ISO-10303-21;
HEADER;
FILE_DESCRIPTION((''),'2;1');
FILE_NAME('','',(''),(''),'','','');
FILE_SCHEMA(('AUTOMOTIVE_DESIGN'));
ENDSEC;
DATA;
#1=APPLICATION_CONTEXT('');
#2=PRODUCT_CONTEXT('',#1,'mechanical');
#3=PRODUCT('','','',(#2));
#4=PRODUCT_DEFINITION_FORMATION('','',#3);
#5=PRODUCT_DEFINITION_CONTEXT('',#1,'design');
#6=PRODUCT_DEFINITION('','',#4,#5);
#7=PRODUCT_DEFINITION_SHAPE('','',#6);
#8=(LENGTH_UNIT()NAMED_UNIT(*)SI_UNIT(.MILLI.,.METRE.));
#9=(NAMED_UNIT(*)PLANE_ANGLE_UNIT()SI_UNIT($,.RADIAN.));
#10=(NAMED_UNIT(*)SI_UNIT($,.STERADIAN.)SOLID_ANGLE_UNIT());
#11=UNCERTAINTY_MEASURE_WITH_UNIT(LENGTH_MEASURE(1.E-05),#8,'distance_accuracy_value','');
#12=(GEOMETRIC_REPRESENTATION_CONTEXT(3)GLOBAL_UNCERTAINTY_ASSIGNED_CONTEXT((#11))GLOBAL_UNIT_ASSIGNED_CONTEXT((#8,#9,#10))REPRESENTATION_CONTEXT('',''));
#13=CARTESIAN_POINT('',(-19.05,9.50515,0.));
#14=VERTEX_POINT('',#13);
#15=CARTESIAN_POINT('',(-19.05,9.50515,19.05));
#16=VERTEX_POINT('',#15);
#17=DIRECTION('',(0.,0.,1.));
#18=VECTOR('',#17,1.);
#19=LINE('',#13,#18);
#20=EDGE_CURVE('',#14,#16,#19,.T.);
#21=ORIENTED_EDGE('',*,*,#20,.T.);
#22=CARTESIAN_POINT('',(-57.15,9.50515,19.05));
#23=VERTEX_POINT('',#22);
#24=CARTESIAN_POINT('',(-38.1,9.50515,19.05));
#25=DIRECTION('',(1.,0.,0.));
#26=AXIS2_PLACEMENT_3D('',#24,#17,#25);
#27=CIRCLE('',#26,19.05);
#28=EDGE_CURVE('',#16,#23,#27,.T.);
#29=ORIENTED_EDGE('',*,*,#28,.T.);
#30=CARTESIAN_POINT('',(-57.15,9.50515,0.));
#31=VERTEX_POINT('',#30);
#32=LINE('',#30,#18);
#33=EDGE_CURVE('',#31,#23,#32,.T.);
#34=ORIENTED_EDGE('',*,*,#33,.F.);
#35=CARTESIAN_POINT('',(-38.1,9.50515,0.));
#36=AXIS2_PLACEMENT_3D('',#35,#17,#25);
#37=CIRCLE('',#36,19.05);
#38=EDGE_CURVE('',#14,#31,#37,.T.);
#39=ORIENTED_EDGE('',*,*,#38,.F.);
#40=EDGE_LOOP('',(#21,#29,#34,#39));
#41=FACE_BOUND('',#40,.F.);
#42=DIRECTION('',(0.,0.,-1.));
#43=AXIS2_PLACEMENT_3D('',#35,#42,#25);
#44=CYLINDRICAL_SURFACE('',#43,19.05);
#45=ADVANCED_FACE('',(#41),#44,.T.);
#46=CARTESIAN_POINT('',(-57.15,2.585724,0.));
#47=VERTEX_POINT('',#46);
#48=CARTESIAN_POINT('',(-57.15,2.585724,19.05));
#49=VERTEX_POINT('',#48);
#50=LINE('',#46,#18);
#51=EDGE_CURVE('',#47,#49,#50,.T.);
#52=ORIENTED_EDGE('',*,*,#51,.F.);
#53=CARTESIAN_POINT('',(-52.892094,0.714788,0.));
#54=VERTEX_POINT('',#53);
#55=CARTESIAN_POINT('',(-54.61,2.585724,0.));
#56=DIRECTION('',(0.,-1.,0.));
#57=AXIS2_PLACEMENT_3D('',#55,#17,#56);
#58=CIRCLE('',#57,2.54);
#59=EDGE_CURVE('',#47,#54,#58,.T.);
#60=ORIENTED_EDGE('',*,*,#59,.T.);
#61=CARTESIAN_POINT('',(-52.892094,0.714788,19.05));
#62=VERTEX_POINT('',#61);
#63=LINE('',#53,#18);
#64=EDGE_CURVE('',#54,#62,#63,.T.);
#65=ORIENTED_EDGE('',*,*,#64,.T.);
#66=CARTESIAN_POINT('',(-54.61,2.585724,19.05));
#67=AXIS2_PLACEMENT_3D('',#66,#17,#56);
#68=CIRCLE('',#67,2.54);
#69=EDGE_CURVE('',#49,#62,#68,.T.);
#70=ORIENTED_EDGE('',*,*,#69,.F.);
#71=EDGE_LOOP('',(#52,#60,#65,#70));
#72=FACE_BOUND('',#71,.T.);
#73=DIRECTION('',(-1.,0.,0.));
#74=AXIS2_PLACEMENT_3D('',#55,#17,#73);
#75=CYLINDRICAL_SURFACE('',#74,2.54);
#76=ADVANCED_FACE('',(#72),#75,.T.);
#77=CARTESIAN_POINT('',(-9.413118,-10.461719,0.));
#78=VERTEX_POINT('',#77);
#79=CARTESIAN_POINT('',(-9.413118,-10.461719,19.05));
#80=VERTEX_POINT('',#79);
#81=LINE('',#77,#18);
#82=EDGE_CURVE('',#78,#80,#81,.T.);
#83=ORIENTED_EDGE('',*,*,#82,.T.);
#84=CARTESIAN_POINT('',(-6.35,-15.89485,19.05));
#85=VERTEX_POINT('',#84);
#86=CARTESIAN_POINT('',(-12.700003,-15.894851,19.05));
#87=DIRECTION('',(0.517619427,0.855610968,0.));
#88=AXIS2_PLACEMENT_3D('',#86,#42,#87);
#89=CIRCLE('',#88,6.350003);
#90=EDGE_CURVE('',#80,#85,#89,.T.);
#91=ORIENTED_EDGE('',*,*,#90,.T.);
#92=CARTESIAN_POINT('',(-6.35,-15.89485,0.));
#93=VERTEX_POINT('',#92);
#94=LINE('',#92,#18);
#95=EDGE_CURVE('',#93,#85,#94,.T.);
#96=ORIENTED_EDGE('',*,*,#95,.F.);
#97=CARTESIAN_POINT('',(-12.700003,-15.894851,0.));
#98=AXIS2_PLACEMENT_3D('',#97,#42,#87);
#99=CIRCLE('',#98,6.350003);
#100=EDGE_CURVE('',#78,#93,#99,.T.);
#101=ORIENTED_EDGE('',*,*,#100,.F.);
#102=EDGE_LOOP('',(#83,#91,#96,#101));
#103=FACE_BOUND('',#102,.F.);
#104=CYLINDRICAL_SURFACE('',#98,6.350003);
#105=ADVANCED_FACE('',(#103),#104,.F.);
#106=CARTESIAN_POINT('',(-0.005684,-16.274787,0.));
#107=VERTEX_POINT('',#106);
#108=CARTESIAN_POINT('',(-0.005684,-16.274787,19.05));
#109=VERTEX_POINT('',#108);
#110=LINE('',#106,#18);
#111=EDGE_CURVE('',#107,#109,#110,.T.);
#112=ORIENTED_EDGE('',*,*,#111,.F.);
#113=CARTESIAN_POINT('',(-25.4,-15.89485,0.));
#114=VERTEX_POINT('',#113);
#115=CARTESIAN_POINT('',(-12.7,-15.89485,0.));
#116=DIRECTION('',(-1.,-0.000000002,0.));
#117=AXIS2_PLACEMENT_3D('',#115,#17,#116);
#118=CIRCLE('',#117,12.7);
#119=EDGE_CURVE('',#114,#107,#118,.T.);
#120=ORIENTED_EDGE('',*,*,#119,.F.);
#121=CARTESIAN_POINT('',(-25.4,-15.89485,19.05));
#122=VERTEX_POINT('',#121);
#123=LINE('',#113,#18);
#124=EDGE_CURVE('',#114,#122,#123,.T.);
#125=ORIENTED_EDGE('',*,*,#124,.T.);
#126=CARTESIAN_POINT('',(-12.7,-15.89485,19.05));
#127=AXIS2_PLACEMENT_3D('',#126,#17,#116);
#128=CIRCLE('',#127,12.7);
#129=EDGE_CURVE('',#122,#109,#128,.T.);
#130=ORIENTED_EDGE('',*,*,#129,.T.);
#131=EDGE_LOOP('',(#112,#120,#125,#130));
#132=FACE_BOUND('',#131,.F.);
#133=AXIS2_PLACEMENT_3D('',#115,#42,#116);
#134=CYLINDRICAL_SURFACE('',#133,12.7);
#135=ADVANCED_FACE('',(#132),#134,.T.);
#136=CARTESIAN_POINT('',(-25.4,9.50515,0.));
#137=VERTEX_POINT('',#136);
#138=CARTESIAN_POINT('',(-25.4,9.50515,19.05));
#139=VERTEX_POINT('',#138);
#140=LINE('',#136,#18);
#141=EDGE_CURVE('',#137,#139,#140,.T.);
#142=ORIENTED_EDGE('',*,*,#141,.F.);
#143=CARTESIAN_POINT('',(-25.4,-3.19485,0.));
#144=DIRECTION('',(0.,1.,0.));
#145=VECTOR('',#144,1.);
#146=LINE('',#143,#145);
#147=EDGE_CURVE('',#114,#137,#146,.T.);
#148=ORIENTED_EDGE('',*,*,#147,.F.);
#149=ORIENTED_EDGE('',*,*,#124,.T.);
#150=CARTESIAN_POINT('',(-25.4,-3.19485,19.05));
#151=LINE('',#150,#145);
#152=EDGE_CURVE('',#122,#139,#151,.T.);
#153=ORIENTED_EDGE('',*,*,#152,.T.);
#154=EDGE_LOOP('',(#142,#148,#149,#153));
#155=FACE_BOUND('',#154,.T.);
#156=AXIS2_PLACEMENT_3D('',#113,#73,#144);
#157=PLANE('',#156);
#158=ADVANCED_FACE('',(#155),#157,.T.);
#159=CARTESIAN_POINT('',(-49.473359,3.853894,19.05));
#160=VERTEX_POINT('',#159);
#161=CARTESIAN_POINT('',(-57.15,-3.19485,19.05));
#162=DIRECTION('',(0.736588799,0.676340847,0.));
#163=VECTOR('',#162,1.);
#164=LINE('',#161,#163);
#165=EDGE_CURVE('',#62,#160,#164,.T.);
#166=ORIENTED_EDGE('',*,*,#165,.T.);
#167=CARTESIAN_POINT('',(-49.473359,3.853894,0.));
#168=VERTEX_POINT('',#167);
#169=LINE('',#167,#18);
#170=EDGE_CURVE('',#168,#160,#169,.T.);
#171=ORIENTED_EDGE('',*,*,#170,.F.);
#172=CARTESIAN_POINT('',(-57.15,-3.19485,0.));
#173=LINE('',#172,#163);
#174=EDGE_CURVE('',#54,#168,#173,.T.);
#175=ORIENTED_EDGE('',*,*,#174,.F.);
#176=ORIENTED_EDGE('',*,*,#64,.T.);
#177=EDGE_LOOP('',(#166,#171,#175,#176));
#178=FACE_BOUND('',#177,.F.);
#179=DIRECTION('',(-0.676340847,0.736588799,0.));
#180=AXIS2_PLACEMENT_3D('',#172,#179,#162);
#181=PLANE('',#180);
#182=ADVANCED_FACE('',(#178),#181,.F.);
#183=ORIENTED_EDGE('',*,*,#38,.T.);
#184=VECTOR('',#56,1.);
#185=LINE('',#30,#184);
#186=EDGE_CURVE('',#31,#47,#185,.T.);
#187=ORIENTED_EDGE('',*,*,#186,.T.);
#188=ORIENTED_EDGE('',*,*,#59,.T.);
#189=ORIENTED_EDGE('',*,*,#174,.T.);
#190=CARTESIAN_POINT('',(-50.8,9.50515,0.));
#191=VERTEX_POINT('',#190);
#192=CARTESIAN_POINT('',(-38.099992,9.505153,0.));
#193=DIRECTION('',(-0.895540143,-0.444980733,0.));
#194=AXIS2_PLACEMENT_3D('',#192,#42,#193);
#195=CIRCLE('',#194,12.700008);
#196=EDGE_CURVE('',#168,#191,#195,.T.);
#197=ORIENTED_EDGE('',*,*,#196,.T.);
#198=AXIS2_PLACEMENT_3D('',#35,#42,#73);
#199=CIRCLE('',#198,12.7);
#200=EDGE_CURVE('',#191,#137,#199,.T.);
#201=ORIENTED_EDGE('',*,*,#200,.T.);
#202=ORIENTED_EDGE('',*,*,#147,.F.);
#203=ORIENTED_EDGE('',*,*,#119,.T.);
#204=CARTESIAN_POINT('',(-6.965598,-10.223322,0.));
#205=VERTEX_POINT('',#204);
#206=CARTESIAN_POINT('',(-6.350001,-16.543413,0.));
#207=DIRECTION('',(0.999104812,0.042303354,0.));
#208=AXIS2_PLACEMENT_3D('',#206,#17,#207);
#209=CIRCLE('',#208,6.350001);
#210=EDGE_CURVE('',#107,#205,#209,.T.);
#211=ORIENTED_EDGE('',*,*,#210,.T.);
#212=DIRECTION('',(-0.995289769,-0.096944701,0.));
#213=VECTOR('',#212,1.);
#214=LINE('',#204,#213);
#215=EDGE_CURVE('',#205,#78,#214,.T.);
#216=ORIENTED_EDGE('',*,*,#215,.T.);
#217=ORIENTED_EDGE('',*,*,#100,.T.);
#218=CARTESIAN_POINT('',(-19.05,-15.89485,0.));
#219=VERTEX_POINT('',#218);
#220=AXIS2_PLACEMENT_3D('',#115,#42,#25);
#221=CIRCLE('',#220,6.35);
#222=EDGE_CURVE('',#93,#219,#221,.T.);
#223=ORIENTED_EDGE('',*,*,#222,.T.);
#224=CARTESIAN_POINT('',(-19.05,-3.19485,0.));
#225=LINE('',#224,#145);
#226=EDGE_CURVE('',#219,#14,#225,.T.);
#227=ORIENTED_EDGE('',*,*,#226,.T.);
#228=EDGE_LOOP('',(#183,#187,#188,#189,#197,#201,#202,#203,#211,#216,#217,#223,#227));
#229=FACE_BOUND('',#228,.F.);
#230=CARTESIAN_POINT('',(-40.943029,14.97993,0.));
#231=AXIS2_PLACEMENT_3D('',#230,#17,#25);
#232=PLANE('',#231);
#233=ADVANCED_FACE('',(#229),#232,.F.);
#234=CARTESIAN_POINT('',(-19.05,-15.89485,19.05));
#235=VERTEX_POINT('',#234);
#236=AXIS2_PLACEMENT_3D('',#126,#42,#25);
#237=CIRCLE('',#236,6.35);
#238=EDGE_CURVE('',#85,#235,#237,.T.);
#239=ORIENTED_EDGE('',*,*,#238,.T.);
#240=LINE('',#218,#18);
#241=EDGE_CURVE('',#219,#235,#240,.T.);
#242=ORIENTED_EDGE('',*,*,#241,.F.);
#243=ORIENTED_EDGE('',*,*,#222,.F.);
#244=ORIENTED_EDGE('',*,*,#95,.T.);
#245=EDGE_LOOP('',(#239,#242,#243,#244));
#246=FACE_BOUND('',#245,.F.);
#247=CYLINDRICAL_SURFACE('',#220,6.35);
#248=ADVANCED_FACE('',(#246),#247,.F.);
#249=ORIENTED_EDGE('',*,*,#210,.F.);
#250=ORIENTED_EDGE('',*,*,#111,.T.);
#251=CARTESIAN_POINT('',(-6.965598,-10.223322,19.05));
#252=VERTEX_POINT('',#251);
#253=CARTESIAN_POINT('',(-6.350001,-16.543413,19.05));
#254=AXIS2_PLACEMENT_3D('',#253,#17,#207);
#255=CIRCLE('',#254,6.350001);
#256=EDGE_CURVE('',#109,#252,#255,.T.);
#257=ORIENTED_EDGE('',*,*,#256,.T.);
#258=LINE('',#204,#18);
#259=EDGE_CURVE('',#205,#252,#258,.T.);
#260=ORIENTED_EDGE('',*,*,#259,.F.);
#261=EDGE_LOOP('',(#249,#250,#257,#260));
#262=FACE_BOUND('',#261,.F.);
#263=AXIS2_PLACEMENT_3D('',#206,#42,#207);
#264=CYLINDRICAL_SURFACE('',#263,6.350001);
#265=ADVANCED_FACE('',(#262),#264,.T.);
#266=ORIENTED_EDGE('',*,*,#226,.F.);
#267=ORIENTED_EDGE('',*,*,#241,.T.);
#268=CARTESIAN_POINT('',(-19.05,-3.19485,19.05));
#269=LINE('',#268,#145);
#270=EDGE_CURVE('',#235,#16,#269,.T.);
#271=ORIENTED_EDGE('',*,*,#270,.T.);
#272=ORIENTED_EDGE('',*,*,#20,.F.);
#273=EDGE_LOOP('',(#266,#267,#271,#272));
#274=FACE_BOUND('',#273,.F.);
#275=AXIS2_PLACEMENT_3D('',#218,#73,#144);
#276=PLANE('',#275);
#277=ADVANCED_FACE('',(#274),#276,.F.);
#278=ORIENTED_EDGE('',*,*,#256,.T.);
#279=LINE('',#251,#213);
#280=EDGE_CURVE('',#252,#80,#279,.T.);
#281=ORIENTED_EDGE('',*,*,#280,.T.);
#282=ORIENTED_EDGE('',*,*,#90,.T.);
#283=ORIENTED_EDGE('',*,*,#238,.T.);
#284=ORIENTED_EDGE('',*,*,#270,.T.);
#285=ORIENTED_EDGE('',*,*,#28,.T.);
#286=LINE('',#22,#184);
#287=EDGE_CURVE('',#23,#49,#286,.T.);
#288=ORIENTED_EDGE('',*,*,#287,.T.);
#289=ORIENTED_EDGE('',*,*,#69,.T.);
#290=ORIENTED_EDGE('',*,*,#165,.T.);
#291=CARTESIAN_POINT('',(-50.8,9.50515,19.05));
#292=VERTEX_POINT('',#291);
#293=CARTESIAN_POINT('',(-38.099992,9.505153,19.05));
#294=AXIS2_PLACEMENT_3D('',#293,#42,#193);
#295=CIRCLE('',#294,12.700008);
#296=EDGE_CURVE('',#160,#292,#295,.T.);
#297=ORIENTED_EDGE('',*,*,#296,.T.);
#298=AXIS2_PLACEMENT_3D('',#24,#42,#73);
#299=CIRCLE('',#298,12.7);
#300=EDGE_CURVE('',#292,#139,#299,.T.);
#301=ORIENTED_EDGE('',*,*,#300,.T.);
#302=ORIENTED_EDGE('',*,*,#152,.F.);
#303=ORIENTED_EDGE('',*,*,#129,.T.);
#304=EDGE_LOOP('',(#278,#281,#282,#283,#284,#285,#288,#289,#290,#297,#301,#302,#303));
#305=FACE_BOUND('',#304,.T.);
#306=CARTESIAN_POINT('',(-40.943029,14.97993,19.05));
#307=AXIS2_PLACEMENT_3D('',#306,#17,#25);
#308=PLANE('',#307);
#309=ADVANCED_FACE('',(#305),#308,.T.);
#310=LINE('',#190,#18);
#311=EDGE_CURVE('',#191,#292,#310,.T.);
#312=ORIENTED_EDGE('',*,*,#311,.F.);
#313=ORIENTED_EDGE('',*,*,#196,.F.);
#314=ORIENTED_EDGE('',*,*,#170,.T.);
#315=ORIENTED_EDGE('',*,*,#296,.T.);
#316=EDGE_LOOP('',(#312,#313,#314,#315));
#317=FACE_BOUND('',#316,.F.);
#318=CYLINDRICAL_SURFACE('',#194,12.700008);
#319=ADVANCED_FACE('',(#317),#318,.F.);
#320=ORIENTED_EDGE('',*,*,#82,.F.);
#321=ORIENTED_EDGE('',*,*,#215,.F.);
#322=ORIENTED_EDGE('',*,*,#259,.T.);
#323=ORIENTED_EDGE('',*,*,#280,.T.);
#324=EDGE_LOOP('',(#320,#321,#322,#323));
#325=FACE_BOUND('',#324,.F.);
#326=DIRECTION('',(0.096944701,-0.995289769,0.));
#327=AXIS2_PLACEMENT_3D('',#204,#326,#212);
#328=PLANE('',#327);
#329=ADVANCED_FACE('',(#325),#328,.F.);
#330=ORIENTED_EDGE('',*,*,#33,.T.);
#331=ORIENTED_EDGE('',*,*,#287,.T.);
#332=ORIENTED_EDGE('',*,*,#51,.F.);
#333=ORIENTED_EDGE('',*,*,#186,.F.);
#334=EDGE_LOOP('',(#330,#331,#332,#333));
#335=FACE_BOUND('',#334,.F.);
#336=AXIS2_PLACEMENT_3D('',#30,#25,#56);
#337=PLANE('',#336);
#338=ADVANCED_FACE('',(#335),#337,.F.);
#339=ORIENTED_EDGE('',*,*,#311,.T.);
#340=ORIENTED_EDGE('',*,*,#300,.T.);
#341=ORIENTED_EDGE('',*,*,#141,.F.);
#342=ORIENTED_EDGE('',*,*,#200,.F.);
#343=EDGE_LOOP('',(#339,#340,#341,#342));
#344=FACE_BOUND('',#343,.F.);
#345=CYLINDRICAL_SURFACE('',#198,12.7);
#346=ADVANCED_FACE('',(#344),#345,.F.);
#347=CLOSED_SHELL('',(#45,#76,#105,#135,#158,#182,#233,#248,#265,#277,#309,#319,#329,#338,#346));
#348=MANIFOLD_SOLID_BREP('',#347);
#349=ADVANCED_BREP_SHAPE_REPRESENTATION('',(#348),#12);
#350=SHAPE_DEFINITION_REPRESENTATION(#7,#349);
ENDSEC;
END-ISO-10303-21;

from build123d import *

# Parameters (mm, degrees)
F0_W     = 6.35
F0_H     = 25.4
F1_DEPTH = 19.05
F2_R     = 2.54


with BuildPart() as f1:
    # F0 (on Top) → F1 (new body)
    with BuildSketch(Plane.XY):
        with BuildLine():
            ThreePointArc((-50.8, 9.50515), (-38.1, 22.20515), (-25.4, 9.50515))
            Line((-25.4, 9.50515), (-19.05, 9.50515))
            ThreePointArc((-19.05, 9.50515), (-38.1, 28.55515), (-57.15, 9.50515))
            Line((-57.15, 9.50515), (-57.15, -3.19485))
            Line((-57.15, -3.19485), (-49.473359, 3.853894))
            ThreePointArc((-49.473359, 3.853894), (-50.463892, 6.602709), (-50.8, 9.50515))
        make_face()
        with Locations((-22.225, -3.19485)):
            Rectangle(F0_W, F0_H)
        with BuildLine():
            Line((-19.05, -15.89485), (-25.4, -15.89485))
            ThreePointArc((-25.4, -15.89485), (-12.88999, -28.593429), (-0.005684, -16.274787))
            ThreePointArc((-0.005684, -16.274787), (-2.183514, -11.751451), (-6.965598, -10.223322))
            Line((-6.965598, -10.223322), (-9.413118, -10.461719))
            ThreePointArc((-9.413118, -10.461719), (-7.168536, -12.776292), (-6.35, -15.89485))
            ThreePointArc((-6.35, -15.89485), (-12.7, -22.24485), (-19.05, -15.89485))
        make_face()
    extrude(amount=F1_DEPTH)

    # F2
    f2_edges = [f1.edges().sort_by_distance(p)[0] for p in [
        (-57.15, -3.19485, 9.525),
    ]]
    fillet(f2_edges, radius=F2_R)


solid = f1.part
